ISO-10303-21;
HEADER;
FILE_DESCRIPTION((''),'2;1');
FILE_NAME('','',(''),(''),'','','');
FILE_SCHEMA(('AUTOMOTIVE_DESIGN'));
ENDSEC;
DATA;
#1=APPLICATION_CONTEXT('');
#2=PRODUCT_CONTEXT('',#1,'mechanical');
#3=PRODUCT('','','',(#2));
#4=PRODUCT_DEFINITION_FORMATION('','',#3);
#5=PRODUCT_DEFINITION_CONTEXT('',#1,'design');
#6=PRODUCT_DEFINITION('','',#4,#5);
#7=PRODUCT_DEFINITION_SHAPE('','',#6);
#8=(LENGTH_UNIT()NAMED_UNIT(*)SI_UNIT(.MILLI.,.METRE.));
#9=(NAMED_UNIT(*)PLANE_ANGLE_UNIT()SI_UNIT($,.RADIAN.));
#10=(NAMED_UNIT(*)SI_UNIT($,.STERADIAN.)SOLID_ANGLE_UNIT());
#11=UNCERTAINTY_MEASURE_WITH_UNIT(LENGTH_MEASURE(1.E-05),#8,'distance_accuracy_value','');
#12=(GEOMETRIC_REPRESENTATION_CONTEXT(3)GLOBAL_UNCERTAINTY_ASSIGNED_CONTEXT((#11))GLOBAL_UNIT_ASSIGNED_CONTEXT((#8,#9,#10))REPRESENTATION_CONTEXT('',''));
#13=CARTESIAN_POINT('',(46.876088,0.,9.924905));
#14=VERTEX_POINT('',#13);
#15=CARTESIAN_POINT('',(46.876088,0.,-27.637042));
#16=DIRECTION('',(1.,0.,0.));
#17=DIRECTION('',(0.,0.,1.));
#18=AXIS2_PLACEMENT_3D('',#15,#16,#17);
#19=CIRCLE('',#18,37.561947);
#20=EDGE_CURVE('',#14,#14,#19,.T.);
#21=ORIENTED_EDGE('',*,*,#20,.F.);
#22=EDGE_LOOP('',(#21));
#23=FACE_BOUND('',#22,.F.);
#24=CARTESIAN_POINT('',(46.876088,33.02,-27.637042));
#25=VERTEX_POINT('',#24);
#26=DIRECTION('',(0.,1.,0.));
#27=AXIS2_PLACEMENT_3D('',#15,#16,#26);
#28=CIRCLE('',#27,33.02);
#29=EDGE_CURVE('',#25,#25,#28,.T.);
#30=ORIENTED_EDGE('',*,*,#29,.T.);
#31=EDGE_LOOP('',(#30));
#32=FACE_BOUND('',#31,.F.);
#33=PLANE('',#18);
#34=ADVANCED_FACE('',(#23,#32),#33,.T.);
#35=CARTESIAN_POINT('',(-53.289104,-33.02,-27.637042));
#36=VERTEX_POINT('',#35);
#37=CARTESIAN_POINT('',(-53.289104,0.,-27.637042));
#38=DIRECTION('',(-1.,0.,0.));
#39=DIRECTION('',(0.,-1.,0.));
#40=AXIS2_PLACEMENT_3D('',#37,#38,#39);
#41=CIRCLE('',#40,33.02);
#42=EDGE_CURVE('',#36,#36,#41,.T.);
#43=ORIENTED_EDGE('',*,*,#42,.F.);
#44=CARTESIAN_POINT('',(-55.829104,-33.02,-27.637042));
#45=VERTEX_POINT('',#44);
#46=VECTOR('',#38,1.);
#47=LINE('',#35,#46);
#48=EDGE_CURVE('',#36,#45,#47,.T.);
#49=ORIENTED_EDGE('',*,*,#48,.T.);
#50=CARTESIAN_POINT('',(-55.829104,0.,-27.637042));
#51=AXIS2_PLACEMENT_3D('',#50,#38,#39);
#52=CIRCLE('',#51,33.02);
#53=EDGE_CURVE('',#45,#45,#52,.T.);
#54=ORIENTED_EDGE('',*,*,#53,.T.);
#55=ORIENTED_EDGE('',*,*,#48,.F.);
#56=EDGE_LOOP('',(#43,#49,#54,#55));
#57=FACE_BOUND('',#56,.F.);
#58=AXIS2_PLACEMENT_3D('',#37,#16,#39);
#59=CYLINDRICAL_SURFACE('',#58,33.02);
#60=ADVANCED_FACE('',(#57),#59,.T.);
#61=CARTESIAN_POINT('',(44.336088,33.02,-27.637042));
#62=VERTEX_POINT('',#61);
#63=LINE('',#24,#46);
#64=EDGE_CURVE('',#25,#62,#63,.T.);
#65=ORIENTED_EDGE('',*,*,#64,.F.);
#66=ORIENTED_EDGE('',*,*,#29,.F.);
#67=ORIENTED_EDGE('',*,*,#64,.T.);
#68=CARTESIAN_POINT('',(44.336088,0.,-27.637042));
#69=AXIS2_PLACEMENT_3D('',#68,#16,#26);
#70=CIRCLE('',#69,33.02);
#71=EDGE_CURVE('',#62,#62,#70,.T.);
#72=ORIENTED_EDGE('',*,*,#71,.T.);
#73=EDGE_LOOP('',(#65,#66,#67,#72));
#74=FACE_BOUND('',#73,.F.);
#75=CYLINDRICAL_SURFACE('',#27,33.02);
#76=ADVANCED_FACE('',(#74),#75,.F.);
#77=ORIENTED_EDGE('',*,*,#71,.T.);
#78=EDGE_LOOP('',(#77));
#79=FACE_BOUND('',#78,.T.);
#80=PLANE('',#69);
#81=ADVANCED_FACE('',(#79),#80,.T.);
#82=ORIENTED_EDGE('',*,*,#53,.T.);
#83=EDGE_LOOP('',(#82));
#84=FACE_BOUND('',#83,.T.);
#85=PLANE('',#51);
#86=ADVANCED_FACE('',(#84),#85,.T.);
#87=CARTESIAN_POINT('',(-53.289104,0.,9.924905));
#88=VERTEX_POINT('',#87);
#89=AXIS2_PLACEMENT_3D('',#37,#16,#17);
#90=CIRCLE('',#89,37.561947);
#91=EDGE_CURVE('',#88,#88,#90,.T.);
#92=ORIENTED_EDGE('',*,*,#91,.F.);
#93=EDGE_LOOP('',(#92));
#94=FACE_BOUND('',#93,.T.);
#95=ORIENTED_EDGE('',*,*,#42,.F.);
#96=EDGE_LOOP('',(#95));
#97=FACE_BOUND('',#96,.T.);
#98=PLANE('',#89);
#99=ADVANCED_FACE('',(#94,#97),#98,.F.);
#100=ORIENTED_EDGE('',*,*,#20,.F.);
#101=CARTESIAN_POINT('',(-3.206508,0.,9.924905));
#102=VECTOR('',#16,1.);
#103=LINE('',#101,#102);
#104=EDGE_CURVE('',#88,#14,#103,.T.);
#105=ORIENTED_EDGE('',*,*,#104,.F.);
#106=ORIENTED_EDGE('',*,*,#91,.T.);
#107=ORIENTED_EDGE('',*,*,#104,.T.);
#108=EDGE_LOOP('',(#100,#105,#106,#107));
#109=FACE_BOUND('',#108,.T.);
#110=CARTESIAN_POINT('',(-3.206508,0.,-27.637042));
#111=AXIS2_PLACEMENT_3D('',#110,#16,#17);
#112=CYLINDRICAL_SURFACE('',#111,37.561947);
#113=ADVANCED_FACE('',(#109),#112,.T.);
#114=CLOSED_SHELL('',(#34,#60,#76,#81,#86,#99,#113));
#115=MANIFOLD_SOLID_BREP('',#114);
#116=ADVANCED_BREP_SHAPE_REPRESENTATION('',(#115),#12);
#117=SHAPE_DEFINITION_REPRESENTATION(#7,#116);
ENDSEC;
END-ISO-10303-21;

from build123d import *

# Parameters (mm, degrees)
F0_W     = 100.1651920378
F0_H     = 37.5619474798
F3_R     = 33.02
F4_DEPTH = 2.54
F2_R     = 33.02
F5_DEPTH = 2.54


with BuildPart() as f1:
    # F0 (on Front) → F1 (revolve)
    with BuildSketch(Plane.XZ):
        with Locations((-3.2065082341, -8.8560683653)):
            Rectangle(F0_W, F0_H)
    revolve(axis=Axis((-3.2065082341, 0, -27.6370421052), (1, 0, 0)))

    # F3 (on face) → F4 (cut)
    with BuildSketch(Plane.YZ.offset(46.8760877848)):
        with Locations((0, -27.6370421052)):
            Circle(F3_R)
    extrude(amount=-F4_DEPTH, mode=Mode.SUBTRACT)

    # F2 (on face) → F5 (join)
    with BuildSketch(Plane(origin=(-53.2891042531, 0, 0), x_dir=(0, -1, 0), z_dir=(-1, 0, 0))):
        with Locations((0, -27.6370421052)):
            Circle(F2_R)
    extrude(amount=F5_DEPTH)


solid = f1.part
